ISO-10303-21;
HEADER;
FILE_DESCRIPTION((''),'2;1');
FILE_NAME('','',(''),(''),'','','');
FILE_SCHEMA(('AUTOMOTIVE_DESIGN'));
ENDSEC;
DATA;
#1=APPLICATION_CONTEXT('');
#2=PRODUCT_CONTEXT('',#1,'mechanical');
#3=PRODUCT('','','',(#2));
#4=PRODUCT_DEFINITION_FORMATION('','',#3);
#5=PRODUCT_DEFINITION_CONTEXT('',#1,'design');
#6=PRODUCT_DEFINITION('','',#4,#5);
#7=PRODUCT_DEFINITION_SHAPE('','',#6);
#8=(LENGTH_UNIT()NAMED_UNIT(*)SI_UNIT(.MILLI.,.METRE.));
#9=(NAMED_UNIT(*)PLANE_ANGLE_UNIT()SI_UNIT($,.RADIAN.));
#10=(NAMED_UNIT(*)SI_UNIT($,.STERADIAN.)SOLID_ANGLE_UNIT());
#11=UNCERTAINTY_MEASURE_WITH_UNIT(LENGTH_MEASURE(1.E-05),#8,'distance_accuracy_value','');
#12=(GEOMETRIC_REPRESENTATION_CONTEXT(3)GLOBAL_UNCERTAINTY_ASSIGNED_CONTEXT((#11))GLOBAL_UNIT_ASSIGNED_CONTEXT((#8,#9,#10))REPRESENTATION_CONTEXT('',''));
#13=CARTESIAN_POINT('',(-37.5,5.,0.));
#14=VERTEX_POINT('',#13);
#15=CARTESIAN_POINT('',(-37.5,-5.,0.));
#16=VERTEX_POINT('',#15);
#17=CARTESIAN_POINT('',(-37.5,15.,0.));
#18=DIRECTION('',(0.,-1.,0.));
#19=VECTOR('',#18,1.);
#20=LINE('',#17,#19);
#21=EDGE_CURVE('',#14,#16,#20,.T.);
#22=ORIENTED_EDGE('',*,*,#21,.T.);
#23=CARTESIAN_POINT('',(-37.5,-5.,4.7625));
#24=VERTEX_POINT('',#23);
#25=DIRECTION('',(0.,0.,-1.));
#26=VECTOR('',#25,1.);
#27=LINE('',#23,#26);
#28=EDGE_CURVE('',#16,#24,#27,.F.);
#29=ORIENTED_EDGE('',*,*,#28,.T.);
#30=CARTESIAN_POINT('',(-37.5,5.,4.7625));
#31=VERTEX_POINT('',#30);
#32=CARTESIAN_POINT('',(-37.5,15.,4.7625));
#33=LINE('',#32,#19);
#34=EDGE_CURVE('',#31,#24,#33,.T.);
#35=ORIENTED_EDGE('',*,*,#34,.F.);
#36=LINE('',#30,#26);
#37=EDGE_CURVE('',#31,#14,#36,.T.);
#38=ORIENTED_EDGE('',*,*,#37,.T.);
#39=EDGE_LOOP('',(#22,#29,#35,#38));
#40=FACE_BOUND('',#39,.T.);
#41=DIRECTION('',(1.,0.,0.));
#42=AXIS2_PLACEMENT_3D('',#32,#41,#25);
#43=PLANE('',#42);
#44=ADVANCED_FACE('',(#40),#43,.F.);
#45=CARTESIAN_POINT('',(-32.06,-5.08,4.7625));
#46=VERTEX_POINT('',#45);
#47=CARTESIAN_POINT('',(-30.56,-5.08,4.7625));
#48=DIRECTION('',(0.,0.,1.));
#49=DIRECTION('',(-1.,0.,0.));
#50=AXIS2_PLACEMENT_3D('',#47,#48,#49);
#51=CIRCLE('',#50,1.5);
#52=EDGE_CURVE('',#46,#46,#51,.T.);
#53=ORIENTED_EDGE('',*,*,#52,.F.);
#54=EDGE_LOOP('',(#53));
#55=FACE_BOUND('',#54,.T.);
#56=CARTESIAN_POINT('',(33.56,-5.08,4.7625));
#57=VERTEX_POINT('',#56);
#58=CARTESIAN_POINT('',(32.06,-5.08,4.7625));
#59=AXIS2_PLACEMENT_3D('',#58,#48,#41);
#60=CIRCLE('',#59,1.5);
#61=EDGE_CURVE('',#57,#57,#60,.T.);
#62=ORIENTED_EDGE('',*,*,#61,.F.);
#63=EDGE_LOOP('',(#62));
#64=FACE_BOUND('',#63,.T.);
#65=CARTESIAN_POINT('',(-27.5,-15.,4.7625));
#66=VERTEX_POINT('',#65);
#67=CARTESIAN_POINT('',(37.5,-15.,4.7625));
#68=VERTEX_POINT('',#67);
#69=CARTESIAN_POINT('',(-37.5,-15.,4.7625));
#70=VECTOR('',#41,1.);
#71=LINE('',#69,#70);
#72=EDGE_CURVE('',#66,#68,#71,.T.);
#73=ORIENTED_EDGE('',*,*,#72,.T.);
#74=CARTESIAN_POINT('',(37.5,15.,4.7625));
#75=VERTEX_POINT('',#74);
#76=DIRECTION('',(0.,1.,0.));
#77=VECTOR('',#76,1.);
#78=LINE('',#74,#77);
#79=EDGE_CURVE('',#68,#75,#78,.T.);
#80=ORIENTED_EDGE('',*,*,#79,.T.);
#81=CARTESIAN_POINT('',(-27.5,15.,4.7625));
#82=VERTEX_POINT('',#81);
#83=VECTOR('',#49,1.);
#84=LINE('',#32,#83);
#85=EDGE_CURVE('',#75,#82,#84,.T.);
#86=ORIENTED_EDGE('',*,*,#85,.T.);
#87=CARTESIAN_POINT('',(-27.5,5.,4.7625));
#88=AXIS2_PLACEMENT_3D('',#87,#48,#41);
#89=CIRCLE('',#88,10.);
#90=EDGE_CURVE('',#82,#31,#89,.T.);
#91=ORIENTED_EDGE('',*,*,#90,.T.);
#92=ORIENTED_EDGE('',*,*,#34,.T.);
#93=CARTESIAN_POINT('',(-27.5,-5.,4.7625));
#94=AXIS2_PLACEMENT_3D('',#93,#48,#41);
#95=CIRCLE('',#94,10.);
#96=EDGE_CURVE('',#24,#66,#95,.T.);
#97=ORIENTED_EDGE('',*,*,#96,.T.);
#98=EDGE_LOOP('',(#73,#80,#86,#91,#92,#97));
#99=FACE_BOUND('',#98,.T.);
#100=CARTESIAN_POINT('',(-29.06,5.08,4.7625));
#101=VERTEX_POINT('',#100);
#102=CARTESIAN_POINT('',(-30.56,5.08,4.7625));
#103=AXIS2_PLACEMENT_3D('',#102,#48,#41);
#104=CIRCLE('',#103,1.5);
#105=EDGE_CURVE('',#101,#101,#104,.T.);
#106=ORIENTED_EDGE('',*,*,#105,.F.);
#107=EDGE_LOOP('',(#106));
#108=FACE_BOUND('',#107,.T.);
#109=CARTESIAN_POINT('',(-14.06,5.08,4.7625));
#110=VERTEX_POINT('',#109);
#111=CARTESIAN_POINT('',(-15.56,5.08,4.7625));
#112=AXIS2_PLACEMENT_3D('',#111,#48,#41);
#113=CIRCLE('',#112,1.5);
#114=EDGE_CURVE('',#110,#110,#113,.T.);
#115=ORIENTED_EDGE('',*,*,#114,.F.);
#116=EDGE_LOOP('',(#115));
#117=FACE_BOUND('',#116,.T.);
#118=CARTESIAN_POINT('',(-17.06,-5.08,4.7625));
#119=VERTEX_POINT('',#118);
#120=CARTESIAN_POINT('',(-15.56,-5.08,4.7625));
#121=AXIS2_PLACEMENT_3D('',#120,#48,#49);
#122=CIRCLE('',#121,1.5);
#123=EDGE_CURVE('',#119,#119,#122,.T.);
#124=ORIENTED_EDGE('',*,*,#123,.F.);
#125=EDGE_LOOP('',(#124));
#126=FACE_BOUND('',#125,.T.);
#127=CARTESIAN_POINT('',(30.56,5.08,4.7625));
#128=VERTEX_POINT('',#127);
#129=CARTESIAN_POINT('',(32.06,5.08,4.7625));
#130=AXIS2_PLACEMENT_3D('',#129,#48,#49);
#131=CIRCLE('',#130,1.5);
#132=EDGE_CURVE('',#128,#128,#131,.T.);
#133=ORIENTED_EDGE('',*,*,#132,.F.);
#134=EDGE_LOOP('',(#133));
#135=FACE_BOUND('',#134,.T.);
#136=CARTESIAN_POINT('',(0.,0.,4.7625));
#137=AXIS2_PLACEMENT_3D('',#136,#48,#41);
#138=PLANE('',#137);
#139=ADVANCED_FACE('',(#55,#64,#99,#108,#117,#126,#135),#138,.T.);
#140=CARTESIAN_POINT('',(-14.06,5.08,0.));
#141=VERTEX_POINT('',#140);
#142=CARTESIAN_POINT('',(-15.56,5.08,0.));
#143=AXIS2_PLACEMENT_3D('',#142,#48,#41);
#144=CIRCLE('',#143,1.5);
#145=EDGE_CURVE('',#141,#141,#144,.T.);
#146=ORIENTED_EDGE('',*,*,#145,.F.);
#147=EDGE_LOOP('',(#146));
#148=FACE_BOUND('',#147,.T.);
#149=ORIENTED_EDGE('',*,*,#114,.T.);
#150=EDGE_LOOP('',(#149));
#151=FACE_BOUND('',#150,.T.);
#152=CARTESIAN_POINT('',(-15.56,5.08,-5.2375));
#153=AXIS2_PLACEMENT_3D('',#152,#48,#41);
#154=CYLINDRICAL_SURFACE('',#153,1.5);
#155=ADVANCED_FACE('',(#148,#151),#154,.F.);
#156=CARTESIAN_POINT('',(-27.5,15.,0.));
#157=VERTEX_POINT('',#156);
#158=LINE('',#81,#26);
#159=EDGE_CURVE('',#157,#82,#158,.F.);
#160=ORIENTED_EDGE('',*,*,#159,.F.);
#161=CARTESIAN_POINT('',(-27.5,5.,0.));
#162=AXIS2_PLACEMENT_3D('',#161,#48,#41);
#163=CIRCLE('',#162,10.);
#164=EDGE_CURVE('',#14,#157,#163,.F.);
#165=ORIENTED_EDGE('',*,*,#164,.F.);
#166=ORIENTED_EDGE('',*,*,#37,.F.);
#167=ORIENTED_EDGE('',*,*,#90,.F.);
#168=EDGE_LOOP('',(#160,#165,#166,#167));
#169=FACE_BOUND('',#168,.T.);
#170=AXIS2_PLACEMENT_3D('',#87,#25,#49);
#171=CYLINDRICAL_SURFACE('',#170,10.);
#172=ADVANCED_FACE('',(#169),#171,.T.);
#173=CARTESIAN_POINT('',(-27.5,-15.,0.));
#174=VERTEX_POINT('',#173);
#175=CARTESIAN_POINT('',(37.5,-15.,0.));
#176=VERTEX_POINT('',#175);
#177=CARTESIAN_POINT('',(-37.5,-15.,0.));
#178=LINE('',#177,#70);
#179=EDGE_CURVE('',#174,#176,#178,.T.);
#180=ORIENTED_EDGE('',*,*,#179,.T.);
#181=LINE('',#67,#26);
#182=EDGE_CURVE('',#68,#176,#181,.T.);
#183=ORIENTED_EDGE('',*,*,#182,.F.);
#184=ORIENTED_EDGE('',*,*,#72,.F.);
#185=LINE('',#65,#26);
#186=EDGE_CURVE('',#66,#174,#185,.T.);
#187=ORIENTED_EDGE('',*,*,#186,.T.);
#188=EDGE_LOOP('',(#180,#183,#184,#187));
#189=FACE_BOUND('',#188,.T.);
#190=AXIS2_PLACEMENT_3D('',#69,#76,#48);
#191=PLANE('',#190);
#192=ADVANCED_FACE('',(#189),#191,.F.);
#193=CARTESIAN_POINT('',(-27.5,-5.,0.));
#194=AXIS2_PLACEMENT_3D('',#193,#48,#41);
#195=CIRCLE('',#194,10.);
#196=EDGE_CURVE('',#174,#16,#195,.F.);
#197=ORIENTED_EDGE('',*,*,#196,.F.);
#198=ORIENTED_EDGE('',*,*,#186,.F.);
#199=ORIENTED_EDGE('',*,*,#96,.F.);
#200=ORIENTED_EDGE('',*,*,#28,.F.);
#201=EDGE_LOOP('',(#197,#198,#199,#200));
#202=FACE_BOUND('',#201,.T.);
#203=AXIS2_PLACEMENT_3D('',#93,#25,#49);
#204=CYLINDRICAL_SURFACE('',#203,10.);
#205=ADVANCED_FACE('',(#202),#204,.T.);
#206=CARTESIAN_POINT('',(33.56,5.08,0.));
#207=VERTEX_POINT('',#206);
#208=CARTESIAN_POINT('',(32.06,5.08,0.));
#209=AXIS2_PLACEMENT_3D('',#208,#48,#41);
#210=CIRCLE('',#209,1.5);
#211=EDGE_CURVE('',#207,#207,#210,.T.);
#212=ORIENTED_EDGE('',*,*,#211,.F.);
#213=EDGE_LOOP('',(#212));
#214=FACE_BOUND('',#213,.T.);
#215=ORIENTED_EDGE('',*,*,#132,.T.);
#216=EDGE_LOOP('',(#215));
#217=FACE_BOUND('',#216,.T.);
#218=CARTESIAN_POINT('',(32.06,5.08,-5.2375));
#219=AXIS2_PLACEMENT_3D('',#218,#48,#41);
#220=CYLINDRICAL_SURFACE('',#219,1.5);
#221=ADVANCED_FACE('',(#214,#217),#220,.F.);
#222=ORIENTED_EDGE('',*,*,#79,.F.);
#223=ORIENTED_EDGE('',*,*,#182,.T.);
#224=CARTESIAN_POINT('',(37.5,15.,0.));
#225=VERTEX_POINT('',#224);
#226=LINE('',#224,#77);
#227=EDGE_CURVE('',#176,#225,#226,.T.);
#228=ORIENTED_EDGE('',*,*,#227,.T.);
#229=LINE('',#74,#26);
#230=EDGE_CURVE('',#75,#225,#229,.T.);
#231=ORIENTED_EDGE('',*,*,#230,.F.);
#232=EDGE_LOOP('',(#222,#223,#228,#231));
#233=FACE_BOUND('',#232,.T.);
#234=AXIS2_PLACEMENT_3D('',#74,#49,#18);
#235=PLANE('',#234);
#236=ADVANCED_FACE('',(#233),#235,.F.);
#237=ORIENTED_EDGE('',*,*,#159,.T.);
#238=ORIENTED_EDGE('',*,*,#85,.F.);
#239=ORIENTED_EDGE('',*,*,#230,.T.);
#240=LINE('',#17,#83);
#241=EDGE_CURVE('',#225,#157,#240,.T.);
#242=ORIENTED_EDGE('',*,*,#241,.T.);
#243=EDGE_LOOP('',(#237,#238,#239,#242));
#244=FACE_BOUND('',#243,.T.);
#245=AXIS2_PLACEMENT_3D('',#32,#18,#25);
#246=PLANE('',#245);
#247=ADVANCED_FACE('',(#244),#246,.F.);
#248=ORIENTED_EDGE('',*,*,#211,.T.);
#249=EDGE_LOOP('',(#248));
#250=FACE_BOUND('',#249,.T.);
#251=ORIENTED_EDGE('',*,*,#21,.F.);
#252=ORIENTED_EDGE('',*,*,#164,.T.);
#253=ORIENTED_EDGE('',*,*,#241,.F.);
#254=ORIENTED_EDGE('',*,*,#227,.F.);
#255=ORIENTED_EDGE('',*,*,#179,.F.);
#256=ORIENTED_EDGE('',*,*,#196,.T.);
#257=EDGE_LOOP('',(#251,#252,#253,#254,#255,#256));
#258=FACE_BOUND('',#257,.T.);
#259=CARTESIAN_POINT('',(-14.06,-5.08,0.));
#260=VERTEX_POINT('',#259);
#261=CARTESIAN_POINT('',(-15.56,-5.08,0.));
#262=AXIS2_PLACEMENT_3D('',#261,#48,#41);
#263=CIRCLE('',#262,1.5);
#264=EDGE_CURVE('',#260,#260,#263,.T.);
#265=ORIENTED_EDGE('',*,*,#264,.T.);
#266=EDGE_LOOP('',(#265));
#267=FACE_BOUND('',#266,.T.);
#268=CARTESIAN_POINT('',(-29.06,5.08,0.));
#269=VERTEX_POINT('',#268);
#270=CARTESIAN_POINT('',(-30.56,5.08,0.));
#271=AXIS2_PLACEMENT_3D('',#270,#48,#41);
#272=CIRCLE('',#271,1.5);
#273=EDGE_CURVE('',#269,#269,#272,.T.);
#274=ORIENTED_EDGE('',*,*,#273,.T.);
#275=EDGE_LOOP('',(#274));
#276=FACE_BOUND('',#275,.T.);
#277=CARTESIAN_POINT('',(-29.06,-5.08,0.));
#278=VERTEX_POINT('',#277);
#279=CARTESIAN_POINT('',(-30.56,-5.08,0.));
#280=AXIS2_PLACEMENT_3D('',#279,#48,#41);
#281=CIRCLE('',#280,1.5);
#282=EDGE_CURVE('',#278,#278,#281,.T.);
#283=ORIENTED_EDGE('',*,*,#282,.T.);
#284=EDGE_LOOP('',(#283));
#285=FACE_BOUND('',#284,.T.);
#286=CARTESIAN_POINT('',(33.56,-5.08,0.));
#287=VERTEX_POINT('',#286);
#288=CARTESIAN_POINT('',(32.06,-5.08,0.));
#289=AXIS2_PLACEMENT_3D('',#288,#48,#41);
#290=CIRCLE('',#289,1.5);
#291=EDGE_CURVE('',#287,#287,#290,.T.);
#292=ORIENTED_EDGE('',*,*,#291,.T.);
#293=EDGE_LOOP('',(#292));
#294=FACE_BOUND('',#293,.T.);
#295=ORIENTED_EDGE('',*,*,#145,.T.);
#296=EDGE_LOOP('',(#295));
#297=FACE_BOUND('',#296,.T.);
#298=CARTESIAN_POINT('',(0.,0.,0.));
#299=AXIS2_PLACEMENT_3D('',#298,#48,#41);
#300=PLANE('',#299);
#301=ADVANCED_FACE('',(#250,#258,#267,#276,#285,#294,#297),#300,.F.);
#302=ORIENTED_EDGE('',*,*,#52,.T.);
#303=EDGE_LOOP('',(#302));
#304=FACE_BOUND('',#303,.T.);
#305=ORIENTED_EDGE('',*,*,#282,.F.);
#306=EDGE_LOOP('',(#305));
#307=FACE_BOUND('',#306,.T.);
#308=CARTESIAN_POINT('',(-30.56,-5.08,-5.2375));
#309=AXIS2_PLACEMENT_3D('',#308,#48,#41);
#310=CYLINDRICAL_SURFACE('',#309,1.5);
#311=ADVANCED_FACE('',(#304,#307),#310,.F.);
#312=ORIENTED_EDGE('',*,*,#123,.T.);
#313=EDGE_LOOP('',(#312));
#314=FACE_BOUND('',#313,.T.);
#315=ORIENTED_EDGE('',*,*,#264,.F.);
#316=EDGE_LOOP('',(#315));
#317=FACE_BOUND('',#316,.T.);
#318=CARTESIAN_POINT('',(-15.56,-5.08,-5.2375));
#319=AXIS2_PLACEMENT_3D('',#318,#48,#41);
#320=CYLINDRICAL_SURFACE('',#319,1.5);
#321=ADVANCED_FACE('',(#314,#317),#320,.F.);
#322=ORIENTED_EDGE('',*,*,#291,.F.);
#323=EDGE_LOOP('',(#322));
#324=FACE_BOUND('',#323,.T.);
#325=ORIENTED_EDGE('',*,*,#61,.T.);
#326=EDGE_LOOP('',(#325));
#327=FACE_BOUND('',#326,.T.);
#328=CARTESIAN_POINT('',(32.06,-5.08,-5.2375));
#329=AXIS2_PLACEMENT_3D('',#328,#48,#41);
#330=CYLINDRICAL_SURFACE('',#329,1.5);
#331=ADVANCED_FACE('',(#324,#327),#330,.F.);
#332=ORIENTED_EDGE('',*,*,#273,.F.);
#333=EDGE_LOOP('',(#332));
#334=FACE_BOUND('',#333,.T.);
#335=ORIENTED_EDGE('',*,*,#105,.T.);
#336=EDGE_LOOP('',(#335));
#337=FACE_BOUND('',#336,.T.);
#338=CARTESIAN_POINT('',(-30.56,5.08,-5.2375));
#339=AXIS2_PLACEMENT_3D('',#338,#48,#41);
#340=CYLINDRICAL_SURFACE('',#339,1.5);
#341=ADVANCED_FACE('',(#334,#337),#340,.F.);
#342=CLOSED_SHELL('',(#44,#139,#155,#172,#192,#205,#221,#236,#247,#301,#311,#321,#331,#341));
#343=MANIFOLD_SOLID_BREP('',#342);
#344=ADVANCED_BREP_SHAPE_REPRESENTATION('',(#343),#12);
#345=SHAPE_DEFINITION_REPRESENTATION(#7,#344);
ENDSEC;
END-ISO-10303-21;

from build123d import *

# Parameters (mm, degrees)
ESQUISSE1_W             = 75
ESQUISSE1_H             = 30
BOSS_EXTRU_1_DEPTH      = 4.7625
CONG_1_R                = 10
ESQUISSE3_R             = 1.5
ENL_V_MAT_EXTRU_3_DEPTH = 10


with BuildPart() as part:
    # Esquisse1 → Boss.-Extru.1 (new body)
    with BuildSketch(Plane.XY):
        Rectangle(ESQUISSE1_W, ESQUISSE1_H)
    extrude(amount=BOSS_EXTRU_1_DEPTH)

    # Congé1
    cong_1_edges = [part.edges().sort_by_distance(p)[0] for p in [
        (-37.5, -15, 2.38125),
        (-37.5, 15, 2.38125),
    ]]
    fillet(cong_1_edges, radius=CONG_1_R)

    # Esquisse3 → Enlèv. mat.-Extru.3 (cut)
    with BuildSketch(Plane.XY.offset(4.7625)):
        with Locations((-15.56, 5.08)):
            Circle(ESQUISSE3_R)
        with Locations((-15.56, -5.08)):
            Circle(ESQUISSE3_R)
        with Locations((32.06, -5.08)):
            Circle(ESQUISSE3_R)
        with Locations((32.06, 5.08)):
            Circle(ESQUISSE3_R)
        with Locations((-30.56, 5.08)):
            Circle(ESQUISSE3_R)
        with Locations((-30.56, -5.08)):
            Circle(ESQUISSE3_R)
    extrude(amount=-ENL_V_MAT_EXTRU_3_DEPTH, mode=Mode.SUBTRACT)


solid = part.part
